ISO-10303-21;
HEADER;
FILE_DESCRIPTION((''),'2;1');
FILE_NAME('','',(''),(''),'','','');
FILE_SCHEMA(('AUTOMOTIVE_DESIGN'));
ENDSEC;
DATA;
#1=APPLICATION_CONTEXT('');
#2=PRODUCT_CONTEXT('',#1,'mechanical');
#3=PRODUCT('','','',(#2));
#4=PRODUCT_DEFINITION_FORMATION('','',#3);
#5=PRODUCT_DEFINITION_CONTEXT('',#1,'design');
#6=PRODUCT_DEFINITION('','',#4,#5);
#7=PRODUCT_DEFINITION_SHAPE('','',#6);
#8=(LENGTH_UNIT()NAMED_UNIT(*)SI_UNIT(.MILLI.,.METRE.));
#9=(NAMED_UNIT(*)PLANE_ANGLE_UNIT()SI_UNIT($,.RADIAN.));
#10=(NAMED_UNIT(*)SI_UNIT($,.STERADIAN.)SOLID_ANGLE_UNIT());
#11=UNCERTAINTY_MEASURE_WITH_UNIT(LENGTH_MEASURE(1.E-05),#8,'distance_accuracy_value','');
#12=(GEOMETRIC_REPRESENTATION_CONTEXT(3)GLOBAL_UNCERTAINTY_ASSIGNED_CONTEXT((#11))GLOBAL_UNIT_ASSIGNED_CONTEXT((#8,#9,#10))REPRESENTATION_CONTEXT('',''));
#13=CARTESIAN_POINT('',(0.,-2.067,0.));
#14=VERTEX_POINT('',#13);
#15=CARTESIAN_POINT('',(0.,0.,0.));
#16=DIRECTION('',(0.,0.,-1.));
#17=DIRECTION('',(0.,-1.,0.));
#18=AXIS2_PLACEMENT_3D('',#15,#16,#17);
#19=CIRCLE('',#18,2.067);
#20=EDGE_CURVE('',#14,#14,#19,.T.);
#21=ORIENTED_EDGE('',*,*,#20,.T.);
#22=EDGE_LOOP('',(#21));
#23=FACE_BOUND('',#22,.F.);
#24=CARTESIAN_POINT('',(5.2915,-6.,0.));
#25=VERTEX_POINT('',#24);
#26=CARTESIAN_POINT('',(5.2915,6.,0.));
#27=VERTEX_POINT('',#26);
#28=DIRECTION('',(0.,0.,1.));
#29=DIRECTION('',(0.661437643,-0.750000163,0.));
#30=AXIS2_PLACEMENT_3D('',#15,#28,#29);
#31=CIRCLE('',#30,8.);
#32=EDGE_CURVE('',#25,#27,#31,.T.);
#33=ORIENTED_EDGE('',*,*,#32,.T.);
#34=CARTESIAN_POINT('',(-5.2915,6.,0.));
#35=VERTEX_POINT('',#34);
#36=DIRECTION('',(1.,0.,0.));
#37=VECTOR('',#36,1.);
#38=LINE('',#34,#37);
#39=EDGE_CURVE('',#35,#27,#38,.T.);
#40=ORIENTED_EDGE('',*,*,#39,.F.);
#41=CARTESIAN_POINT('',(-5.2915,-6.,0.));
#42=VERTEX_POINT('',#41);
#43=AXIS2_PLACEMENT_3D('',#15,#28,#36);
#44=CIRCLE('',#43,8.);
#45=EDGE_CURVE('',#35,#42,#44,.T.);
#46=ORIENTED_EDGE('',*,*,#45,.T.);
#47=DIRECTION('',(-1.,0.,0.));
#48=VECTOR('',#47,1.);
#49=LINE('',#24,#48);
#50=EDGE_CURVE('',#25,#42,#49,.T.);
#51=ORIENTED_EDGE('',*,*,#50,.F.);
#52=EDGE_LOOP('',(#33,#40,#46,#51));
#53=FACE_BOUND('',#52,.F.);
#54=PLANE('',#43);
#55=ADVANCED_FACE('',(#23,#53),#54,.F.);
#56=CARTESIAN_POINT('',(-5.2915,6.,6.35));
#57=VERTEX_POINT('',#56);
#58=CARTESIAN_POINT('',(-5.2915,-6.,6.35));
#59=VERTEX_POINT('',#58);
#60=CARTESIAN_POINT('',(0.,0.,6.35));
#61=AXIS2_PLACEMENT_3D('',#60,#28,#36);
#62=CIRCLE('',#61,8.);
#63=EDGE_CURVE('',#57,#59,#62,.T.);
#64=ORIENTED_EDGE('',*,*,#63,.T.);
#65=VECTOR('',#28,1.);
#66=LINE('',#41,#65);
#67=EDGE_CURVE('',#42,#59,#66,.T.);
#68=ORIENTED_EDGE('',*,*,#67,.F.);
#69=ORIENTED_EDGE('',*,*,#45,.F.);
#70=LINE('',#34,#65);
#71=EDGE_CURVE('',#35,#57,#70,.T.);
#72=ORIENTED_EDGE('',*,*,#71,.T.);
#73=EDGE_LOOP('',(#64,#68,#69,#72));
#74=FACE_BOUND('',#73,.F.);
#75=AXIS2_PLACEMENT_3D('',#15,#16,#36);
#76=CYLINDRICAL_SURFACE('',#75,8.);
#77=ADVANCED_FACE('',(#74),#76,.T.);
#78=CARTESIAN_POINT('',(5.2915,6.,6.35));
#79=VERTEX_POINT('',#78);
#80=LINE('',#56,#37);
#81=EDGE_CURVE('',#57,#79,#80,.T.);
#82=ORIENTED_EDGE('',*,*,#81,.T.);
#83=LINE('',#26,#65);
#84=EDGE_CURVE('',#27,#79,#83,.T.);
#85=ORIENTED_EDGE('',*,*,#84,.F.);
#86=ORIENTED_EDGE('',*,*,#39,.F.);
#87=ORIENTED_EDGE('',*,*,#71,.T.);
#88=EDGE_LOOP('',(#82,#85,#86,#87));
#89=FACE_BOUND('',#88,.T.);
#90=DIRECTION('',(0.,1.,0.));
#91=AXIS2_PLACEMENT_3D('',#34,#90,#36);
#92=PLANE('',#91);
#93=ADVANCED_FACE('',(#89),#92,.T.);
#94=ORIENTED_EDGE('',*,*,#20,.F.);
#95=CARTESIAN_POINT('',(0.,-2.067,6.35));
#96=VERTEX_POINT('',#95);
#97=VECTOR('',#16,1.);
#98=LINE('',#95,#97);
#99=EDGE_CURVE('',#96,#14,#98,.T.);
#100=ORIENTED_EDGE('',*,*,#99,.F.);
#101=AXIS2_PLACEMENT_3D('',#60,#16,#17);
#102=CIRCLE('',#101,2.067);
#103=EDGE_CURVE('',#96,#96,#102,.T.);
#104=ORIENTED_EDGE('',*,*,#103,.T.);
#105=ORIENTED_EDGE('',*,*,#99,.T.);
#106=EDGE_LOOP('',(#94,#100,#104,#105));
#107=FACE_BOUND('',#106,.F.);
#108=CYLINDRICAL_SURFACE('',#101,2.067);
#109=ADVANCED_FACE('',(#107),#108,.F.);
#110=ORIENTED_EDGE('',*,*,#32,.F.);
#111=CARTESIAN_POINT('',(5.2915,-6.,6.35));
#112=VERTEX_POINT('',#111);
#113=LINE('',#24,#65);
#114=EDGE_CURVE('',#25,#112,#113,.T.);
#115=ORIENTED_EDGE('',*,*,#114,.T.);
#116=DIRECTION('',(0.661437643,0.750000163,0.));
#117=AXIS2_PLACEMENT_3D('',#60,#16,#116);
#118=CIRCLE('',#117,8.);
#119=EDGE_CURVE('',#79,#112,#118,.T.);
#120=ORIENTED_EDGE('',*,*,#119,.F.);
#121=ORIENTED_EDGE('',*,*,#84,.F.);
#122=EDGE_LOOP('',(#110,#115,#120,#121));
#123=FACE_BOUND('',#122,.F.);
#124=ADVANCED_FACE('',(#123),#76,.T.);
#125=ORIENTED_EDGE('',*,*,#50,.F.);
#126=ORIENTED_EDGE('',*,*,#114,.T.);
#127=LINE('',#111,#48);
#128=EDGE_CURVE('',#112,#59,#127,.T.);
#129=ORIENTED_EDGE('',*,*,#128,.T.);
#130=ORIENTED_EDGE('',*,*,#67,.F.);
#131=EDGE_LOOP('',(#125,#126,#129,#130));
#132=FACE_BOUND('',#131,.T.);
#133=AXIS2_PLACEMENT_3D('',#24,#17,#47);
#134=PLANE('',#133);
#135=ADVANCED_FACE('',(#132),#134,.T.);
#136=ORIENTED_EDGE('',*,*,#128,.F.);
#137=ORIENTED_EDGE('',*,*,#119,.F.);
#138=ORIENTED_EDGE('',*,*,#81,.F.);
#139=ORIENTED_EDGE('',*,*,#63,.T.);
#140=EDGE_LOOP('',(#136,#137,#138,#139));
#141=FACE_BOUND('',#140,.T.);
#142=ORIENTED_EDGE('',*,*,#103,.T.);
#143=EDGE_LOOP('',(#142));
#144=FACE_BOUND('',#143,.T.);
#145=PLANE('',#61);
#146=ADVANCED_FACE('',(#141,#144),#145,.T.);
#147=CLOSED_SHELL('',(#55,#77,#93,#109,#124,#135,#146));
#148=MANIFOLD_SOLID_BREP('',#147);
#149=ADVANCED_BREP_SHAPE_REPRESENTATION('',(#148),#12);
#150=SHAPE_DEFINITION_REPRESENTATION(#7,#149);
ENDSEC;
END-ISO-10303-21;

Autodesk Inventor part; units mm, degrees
ref_plane "YZ Plane" through (0, 0, 0) normal (1, 0, 0) x (0, 1, 0)
ref_plane "XZ Plane" through (0, 0, 0) normal (0, 1, 0) x (-1, 0, 0)
ref_plane "XY Plane" through (0, 0, 0) normal (0, 0, 1) x (1, 0, 0)
sketch "Sketch1" plane through (0, 0, 0) normal (0, 0, 1) x (1, 0, 0)
  circle A0 centre (0, 0) radius 8
  line L0 (5.2915, -6) -> (-5.2915, -6)
  line L1 (-5.2915, -6) -> (-5.2915, 6)
  line L2 (-5.2915, 6) -> (5.2915, 6)
  line L3 (5.2915, 6) -> (5.2915, -6)
  line L4 (5.2915, -6) -> (-5.2915, 6) construction
  line L5 (-5.2915, -6) -> (5.2915, 6) construction
  point P0 (-5.2915, -6)
  point P1 (5.2915, -6)
  point P2 (5.2915, 6)
  dimension "d0" = 16
  dimension "d1" = 12
extrude "Extrusion1" add sketch "Sketch1" along normal blind 6.35 contours A0 L3 | L3 L0 L1 L2 | L1 A0
sketch "Sketch2" plane through (0, 0, 6.35) normal (0, 0, 1) x (1, 0, 0)
  arc A0 (-5.2915, 6) -> (-5.2915, -6) centre (0, 0) ccw projected
hole "Hole1" at (0, 0, 6.35) direction (0, 0, -1) diameter 4.134 end through all thread size "M5x0.8" class "6H" standard "ANSI Metric M Profile"
properties part number "Print Bed Washers" material "Aluminum 6061"
